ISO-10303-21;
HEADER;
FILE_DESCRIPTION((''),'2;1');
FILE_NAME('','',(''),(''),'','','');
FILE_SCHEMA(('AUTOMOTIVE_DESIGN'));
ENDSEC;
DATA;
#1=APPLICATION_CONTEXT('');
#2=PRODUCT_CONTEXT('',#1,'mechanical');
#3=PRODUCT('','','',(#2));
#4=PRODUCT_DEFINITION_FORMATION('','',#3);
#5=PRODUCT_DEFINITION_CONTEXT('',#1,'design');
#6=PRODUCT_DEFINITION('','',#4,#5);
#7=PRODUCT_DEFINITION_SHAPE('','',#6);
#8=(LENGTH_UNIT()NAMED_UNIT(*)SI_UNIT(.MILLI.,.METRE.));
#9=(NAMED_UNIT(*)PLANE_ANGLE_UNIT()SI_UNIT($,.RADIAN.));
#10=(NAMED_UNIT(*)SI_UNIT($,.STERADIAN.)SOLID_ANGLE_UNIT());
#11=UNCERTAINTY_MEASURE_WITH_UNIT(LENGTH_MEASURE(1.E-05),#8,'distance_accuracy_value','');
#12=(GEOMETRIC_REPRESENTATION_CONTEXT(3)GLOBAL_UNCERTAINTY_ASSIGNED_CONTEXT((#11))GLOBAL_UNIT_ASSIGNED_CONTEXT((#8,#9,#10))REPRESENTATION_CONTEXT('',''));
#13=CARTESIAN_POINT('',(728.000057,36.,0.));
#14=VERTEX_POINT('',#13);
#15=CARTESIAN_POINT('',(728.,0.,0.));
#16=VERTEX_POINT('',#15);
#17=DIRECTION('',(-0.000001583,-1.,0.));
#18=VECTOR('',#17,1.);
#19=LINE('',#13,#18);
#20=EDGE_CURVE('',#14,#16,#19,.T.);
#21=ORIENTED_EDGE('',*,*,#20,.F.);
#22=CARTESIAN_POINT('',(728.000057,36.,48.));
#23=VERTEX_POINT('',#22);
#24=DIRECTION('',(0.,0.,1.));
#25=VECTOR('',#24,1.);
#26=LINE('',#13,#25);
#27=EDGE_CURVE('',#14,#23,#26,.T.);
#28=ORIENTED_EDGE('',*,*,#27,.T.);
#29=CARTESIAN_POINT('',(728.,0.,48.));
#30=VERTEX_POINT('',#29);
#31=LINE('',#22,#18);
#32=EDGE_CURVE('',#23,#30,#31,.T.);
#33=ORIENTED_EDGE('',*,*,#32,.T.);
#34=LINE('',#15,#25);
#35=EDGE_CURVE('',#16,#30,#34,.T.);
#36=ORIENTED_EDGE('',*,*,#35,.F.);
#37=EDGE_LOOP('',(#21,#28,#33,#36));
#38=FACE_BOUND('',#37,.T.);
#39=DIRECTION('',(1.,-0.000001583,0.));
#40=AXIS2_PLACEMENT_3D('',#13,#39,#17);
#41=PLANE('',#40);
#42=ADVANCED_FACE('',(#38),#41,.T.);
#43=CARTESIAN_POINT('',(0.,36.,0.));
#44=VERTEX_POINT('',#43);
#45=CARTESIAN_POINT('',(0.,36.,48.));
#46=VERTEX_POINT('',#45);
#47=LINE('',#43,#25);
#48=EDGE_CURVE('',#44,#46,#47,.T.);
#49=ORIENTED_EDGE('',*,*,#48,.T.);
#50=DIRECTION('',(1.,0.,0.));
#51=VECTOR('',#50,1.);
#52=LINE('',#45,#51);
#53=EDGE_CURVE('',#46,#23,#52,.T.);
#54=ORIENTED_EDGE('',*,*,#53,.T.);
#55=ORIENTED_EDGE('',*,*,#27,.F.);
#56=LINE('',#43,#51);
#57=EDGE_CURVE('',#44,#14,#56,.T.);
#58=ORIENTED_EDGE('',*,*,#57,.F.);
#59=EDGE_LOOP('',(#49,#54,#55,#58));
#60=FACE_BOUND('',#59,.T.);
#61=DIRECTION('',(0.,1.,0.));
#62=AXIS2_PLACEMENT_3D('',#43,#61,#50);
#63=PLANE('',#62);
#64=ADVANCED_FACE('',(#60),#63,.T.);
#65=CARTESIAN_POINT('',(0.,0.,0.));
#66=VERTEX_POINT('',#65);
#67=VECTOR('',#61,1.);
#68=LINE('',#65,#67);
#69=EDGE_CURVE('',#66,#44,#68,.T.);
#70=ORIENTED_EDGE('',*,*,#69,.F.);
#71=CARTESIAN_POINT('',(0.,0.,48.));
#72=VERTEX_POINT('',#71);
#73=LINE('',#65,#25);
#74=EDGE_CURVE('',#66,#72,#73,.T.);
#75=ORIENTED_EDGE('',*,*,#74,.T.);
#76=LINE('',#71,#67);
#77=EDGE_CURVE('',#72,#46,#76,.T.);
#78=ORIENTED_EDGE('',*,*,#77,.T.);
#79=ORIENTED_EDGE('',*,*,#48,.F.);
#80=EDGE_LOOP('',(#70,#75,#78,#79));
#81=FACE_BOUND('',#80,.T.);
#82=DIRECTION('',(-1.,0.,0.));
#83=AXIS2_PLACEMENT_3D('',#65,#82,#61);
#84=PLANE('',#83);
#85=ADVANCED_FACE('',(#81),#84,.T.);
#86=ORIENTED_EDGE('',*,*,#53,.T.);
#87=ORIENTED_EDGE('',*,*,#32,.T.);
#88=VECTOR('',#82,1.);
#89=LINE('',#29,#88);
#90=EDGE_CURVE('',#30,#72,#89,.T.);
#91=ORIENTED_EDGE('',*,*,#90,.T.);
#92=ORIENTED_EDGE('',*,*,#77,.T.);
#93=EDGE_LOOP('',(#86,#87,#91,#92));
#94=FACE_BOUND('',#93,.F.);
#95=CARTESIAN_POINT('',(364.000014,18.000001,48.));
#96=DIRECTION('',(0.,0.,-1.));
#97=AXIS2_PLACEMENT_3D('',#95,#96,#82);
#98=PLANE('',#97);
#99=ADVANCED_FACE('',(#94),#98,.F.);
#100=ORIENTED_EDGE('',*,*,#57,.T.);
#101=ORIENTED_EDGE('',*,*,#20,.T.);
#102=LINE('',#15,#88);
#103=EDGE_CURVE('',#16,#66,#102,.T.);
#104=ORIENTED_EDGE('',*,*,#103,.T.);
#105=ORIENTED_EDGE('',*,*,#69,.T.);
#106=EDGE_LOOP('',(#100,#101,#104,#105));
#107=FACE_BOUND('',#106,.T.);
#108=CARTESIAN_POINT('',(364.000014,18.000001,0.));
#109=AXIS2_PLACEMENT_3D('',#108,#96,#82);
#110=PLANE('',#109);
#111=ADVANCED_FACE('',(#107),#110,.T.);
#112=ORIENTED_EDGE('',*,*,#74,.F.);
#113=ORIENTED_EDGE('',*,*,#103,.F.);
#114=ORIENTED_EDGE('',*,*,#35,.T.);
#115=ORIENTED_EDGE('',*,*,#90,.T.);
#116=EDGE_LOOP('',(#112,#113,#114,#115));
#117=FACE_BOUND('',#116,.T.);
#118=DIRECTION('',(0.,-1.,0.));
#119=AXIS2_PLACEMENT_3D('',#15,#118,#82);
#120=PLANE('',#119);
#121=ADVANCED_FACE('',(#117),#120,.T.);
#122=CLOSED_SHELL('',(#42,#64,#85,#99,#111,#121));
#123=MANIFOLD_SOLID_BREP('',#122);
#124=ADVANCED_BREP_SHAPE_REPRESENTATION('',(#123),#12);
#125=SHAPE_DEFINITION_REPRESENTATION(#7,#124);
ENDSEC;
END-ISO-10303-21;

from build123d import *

# Parameters (mm, degrees)
EXTRUDE_DEPTH = 48


with BuildPart() as part:
    # Sketch → Extrude (new body)
    with BuildSketch(Plane.XY):
        Polygon((0, 0), (0, 36), (728.000057, 36), (728, 0), align=None)
    extrude(amount=EXTRUDE_DEPTH)


solid = part.part
